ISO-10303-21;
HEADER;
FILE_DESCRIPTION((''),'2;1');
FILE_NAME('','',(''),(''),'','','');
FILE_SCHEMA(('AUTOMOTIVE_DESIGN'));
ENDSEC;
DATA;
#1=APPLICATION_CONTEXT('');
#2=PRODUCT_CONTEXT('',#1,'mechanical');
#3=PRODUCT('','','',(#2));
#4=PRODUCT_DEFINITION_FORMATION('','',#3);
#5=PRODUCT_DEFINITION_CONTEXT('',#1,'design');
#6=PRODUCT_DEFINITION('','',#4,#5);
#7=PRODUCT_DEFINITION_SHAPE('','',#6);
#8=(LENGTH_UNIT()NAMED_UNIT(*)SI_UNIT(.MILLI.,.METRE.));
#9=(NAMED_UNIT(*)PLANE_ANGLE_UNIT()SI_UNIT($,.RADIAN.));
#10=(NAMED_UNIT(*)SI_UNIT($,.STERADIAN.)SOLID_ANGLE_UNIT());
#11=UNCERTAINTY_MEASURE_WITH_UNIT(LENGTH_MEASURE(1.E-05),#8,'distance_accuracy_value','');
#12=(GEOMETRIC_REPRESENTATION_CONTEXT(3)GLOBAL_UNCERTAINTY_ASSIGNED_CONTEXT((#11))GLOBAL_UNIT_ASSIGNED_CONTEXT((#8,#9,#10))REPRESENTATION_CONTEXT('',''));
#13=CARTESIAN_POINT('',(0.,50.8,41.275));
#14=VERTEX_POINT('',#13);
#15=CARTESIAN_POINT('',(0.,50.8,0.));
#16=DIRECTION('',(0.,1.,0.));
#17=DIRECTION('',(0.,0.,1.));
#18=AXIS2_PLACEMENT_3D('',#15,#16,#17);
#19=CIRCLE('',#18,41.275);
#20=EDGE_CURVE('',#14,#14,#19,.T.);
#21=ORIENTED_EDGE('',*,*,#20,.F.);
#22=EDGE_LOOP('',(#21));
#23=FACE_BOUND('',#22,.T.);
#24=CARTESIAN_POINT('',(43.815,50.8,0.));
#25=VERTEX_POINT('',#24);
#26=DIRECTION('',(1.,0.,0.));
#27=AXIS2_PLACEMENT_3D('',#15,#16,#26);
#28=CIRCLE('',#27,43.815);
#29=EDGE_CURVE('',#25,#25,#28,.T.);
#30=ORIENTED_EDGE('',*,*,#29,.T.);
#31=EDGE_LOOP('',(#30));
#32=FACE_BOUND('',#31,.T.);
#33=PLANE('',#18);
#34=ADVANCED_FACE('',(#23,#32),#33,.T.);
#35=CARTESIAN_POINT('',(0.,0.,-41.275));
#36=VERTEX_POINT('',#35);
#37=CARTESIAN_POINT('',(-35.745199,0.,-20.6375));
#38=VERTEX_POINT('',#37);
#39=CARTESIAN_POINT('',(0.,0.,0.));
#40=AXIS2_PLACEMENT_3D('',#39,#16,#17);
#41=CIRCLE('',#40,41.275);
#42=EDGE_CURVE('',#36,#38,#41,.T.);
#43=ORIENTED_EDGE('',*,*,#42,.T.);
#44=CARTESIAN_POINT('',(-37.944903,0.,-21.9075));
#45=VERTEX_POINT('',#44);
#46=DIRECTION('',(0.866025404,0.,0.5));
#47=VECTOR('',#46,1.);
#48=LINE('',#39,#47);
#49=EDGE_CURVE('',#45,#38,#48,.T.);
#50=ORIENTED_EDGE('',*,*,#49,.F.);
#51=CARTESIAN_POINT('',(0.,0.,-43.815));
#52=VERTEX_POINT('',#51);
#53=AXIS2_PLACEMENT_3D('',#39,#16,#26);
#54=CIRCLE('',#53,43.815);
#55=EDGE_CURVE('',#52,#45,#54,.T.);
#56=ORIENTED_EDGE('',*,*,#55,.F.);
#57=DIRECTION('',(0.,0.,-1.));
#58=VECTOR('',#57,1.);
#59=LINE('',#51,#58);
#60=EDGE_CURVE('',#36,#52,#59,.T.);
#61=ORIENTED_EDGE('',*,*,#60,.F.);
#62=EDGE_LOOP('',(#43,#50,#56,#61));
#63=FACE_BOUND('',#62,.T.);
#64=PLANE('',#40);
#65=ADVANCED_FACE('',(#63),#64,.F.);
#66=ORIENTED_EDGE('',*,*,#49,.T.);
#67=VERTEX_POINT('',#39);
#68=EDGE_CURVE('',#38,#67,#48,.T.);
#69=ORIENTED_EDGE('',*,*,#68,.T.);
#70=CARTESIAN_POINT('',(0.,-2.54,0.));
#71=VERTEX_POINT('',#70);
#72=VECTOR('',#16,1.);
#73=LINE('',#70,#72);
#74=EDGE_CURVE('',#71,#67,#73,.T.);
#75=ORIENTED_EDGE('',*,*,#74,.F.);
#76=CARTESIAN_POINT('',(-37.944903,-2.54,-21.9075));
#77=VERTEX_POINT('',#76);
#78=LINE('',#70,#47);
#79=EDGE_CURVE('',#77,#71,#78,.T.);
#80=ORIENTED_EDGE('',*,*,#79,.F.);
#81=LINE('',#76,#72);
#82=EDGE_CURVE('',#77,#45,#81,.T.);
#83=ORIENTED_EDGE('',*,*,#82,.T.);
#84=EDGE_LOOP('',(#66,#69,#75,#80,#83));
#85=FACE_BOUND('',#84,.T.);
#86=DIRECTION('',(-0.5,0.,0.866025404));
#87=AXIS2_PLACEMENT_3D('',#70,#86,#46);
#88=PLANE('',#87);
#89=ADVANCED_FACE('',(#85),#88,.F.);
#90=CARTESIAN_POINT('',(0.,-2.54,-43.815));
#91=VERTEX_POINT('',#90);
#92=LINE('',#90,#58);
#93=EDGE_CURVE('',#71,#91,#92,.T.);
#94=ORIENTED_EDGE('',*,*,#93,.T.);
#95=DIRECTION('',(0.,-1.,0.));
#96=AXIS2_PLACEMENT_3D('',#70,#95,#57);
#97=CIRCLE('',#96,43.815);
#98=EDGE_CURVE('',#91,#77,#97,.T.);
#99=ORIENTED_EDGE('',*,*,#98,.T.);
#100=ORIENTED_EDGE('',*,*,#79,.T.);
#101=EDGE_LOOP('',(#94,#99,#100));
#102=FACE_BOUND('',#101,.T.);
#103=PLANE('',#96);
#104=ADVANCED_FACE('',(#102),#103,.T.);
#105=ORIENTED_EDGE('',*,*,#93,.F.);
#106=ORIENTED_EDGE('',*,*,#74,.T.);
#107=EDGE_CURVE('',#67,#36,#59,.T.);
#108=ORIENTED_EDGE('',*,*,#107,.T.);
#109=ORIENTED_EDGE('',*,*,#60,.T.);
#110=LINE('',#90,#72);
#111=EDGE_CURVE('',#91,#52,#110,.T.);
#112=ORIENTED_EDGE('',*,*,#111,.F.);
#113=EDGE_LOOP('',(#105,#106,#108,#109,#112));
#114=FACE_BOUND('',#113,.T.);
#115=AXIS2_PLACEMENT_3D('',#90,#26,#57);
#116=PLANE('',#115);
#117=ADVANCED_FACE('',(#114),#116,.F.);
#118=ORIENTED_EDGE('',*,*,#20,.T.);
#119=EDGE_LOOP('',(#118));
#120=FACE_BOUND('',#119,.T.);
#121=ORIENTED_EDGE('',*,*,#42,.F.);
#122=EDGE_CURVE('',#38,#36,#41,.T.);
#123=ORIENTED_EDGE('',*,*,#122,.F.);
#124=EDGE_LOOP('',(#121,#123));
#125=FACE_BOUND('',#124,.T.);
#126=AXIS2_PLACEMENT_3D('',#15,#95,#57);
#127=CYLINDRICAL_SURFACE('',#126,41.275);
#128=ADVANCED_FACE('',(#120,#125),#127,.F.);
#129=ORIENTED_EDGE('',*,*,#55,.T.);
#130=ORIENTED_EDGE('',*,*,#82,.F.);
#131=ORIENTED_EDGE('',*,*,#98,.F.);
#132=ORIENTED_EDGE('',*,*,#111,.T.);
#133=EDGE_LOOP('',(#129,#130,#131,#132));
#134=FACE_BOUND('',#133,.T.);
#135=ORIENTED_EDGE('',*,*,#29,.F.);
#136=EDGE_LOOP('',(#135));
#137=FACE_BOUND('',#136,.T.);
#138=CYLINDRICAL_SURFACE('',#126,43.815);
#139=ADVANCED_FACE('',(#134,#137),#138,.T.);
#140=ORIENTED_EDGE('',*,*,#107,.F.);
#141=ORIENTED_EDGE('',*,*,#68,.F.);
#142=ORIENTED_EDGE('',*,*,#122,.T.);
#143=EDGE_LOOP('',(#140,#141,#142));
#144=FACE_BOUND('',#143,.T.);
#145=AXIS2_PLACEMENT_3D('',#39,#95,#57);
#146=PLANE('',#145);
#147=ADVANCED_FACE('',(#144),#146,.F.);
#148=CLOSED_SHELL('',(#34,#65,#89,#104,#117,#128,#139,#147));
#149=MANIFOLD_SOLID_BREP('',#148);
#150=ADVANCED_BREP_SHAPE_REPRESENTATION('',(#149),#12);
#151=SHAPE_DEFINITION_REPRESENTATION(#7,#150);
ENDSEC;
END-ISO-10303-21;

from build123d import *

# Parameters (mm, degrees)
SKETCH1_R           = 43.815
SKETCH1_R_2         = 41.275
EXTRUDE_THIN1_DEPTH = 50.8
BOSS_EXTRUDE1_START = 2.54
BOSS_EXTRUDE1_DEPTH = 2.54


with BuildPart() as part:
    # Sketch1 → Extrude-Thin1 (new body)
    with BuildSketch(Plane(origin=(0, 0, 0), x_dir=(1, 0, 0), z_dir=(0, 1, 0))):
        Circle(SKETCH1_R)
        Circle(SKETCH1_R_2, mode=Mode.SUBTRACT)
    extrude(amount=EXTRUDE_THIN1_DEPTH)

    # Sketch2 → Boss-Extrude1 (add)
    with BuildSketch(Plane.XZ.offset(BOSS_EXTRUDE1_START)):
        with BuildLine():
            Line((0, -43.815), (0, 0))
            Line((0, 0), (-37.944903067, -21.9075))
            ThreePointArc((-37.944903067, -21.9075), (21.9075, 37.944903067), (0, -43.815))
        make_face()
    extrude(amount=-BOSS_EXTRUDE1_DEPTH)


solid = part.part
